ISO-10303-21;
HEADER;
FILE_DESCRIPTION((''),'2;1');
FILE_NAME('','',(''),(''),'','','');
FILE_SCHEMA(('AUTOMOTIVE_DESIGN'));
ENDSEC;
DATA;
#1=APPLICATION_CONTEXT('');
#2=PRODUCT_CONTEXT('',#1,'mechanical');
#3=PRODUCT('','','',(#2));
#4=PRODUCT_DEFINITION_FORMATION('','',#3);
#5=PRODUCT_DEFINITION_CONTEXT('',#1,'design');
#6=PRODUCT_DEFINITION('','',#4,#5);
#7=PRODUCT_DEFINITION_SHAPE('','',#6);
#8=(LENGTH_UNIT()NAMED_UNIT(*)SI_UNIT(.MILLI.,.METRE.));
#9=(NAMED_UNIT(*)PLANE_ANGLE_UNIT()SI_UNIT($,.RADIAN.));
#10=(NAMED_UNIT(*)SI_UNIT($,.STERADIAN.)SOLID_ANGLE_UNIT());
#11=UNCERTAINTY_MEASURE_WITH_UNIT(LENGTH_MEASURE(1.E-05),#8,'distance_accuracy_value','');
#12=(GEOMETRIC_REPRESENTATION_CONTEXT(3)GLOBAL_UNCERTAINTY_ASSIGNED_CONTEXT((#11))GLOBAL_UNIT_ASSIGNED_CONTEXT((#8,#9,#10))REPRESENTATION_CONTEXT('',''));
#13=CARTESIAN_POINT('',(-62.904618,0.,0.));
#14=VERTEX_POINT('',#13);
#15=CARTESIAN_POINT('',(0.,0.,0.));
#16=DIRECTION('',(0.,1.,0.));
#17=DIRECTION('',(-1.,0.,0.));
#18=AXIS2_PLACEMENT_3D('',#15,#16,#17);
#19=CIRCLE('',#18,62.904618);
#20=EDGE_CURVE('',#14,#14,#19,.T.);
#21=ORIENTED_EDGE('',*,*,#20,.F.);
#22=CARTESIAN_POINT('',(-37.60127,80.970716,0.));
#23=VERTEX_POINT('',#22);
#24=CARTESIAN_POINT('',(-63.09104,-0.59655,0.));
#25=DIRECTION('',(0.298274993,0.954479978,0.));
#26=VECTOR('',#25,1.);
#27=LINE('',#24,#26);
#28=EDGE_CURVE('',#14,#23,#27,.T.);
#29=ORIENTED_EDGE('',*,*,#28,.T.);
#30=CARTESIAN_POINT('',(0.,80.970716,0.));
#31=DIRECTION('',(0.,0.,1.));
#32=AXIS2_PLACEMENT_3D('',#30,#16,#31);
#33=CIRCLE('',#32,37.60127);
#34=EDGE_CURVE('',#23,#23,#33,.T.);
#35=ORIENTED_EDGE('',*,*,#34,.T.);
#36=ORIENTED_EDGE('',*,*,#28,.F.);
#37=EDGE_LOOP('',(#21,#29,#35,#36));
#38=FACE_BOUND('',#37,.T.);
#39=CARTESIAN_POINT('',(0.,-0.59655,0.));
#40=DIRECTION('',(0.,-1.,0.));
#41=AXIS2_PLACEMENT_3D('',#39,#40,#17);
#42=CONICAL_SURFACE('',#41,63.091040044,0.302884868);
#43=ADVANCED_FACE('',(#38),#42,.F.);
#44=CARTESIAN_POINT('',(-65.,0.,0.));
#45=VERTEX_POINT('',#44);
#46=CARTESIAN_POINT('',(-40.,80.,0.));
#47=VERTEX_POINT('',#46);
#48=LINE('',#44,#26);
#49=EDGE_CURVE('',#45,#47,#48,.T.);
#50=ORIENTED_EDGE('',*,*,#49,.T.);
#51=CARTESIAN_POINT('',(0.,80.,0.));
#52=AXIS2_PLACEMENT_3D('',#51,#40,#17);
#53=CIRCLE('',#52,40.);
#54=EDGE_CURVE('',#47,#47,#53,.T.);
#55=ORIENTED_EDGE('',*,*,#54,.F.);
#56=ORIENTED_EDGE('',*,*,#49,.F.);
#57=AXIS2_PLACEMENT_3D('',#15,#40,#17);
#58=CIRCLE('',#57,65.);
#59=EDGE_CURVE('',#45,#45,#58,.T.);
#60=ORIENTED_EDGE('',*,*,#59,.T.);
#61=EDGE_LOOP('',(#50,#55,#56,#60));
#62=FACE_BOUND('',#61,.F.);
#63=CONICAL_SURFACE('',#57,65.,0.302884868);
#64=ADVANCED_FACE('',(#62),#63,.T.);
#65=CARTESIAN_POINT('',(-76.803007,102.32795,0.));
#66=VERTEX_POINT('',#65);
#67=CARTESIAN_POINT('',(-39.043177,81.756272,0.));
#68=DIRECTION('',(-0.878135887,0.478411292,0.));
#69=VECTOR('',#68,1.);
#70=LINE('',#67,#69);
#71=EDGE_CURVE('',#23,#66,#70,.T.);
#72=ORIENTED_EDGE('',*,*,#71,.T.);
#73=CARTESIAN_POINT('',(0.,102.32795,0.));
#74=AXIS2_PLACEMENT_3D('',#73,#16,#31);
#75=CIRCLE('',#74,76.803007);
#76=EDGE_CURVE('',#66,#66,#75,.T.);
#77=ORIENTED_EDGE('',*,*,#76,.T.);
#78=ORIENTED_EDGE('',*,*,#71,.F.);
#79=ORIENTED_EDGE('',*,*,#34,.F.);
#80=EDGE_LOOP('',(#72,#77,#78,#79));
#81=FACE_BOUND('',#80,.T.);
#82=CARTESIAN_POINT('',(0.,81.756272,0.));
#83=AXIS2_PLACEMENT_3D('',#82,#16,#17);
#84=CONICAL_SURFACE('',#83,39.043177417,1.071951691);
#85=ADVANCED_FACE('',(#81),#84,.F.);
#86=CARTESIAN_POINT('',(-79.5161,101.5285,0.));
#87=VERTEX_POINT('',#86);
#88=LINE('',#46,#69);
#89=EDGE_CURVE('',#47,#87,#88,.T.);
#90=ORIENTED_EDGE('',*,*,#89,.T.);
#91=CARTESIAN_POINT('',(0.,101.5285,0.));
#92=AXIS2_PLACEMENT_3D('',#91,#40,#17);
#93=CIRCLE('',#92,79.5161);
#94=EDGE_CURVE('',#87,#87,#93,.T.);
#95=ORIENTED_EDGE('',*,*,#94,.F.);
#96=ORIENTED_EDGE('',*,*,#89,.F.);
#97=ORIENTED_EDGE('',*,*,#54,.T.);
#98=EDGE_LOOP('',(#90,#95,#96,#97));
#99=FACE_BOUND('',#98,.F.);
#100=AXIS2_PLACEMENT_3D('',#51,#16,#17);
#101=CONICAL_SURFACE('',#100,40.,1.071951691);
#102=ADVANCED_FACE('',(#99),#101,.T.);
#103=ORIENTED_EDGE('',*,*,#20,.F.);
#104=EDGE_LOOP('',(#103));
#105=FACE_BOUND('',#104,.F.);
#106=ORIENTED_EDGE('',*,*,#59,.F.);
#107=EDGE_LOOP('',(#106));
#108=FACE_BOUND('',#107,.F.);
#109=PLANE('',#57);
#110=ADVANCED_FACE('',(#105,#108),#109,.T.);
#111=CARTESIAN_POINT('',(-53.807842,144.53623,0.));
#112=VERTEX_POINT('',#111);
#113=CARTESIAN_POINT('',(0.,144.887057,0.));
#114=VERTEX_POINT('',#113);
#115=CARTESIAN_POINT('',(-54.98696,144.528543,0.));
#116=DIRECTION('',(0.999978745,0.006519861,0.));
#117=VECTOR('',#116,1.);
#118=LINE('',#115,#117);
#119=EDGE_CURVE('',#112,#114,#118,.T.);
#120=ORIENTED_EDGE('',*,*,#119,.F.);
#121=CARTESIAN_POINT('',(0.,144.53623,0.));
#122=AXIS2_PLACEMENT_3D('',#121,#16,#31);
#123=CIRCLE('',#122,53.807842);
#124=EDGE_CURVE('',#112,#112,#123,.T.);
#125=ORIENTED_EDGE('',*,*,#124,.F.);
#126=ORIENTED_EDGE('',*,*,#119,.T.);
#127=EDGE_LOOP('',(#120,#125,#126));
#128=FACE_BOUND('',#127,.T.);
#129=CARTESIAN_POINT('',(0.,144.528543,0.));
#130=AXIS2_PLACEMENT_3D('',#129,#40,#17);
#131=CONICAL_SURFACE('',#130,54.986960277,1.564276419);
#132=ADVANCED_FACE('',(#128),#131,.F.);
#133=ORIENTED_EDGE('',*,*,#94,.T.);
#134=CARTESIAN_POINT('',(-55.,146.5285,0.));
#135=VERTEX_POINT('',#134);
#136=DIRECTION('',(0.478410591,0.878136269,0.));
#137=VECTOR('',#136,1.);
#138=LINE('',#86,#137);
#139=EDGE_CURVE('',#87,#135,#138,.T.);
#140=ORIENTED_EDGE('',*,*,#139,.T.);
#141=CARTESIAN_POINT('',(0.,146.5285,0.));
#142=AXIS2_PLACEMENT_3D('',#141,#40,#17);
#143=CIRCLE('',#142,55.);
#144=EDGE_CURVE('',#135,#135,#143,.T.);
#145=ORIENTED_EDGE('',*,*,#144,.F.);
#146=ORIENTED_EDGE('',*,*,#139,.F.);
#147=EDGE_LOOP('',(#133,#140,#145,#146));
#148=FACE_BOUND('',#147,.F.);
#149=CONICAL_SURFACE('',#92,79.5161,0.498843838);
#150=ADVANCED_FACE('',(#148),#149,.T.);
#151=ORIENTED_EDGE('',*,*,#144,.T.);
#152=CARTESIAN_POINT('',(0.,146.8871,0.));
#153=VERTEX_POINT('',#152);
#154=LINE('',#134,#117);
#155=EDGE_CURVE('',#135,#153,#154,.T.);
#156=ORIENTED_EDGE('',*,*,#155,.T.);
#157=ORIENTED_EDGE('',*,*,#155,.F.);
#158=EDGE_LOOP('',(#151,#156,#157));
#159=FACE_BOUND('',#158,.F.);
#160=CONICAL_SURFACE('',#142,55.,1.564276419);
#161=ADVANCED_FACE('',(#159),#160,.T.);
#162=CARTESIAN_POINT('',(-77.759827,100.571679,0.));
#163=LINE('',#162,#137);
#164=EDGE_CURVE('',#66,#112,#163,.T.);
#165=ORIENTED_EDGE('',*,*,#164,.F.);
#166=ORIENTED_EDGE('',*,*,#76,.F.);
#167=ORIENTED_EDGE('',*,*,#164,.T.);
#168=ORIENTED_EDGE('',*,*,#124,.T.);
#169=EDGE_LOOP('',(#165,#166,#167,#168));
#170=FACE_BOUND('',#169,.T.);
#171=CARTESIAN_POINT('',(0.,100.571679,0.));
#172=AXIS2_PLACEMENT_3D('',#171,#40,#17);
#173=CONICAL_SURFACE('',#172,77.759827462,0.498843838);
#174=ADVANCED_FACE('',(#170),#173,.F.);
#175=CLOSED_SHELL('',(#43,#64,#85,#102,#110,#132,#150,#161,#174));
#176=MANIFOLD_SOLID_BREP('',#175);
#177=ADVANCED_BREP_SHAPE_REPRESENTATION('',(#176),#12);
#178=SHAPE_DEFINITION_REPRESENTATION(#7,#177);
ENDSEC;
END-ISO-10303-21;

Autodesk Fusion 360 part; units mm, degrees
sketch "Esquisse1" plane through (0, 0, 0) normal (0, 0, 1) x (1, 0, 0)
  line L0 (0, 0) -> (-65, 0)
  line L1 (-65, 0) -> (-40, 80)
  line L2 (-40, 80) -> (-79.5161, 101.5285)
  line L3 (-79.5161, 101.5285) -> (-55, 146.5285)
  line L4 (-55, 146.5285) -> (0, 146.8871)
  line L5 (0, 146.8871) -> (0, 0)
  dimension "d1" = 65
  dimension "d2" = 45
  dimension "d3" = 45
  dimension "d4" = 40
  dimension "d5" = 80
  dimension "d6" = 55
revolve "Révolution1" add sketch "Esquisse1" angle 360 about axis through (0, 146.8871, 0) along (0, -1, 0)
shell "Coque1" thickness 2 removed faces 1 at (20.2416, 0, -0.2148)
